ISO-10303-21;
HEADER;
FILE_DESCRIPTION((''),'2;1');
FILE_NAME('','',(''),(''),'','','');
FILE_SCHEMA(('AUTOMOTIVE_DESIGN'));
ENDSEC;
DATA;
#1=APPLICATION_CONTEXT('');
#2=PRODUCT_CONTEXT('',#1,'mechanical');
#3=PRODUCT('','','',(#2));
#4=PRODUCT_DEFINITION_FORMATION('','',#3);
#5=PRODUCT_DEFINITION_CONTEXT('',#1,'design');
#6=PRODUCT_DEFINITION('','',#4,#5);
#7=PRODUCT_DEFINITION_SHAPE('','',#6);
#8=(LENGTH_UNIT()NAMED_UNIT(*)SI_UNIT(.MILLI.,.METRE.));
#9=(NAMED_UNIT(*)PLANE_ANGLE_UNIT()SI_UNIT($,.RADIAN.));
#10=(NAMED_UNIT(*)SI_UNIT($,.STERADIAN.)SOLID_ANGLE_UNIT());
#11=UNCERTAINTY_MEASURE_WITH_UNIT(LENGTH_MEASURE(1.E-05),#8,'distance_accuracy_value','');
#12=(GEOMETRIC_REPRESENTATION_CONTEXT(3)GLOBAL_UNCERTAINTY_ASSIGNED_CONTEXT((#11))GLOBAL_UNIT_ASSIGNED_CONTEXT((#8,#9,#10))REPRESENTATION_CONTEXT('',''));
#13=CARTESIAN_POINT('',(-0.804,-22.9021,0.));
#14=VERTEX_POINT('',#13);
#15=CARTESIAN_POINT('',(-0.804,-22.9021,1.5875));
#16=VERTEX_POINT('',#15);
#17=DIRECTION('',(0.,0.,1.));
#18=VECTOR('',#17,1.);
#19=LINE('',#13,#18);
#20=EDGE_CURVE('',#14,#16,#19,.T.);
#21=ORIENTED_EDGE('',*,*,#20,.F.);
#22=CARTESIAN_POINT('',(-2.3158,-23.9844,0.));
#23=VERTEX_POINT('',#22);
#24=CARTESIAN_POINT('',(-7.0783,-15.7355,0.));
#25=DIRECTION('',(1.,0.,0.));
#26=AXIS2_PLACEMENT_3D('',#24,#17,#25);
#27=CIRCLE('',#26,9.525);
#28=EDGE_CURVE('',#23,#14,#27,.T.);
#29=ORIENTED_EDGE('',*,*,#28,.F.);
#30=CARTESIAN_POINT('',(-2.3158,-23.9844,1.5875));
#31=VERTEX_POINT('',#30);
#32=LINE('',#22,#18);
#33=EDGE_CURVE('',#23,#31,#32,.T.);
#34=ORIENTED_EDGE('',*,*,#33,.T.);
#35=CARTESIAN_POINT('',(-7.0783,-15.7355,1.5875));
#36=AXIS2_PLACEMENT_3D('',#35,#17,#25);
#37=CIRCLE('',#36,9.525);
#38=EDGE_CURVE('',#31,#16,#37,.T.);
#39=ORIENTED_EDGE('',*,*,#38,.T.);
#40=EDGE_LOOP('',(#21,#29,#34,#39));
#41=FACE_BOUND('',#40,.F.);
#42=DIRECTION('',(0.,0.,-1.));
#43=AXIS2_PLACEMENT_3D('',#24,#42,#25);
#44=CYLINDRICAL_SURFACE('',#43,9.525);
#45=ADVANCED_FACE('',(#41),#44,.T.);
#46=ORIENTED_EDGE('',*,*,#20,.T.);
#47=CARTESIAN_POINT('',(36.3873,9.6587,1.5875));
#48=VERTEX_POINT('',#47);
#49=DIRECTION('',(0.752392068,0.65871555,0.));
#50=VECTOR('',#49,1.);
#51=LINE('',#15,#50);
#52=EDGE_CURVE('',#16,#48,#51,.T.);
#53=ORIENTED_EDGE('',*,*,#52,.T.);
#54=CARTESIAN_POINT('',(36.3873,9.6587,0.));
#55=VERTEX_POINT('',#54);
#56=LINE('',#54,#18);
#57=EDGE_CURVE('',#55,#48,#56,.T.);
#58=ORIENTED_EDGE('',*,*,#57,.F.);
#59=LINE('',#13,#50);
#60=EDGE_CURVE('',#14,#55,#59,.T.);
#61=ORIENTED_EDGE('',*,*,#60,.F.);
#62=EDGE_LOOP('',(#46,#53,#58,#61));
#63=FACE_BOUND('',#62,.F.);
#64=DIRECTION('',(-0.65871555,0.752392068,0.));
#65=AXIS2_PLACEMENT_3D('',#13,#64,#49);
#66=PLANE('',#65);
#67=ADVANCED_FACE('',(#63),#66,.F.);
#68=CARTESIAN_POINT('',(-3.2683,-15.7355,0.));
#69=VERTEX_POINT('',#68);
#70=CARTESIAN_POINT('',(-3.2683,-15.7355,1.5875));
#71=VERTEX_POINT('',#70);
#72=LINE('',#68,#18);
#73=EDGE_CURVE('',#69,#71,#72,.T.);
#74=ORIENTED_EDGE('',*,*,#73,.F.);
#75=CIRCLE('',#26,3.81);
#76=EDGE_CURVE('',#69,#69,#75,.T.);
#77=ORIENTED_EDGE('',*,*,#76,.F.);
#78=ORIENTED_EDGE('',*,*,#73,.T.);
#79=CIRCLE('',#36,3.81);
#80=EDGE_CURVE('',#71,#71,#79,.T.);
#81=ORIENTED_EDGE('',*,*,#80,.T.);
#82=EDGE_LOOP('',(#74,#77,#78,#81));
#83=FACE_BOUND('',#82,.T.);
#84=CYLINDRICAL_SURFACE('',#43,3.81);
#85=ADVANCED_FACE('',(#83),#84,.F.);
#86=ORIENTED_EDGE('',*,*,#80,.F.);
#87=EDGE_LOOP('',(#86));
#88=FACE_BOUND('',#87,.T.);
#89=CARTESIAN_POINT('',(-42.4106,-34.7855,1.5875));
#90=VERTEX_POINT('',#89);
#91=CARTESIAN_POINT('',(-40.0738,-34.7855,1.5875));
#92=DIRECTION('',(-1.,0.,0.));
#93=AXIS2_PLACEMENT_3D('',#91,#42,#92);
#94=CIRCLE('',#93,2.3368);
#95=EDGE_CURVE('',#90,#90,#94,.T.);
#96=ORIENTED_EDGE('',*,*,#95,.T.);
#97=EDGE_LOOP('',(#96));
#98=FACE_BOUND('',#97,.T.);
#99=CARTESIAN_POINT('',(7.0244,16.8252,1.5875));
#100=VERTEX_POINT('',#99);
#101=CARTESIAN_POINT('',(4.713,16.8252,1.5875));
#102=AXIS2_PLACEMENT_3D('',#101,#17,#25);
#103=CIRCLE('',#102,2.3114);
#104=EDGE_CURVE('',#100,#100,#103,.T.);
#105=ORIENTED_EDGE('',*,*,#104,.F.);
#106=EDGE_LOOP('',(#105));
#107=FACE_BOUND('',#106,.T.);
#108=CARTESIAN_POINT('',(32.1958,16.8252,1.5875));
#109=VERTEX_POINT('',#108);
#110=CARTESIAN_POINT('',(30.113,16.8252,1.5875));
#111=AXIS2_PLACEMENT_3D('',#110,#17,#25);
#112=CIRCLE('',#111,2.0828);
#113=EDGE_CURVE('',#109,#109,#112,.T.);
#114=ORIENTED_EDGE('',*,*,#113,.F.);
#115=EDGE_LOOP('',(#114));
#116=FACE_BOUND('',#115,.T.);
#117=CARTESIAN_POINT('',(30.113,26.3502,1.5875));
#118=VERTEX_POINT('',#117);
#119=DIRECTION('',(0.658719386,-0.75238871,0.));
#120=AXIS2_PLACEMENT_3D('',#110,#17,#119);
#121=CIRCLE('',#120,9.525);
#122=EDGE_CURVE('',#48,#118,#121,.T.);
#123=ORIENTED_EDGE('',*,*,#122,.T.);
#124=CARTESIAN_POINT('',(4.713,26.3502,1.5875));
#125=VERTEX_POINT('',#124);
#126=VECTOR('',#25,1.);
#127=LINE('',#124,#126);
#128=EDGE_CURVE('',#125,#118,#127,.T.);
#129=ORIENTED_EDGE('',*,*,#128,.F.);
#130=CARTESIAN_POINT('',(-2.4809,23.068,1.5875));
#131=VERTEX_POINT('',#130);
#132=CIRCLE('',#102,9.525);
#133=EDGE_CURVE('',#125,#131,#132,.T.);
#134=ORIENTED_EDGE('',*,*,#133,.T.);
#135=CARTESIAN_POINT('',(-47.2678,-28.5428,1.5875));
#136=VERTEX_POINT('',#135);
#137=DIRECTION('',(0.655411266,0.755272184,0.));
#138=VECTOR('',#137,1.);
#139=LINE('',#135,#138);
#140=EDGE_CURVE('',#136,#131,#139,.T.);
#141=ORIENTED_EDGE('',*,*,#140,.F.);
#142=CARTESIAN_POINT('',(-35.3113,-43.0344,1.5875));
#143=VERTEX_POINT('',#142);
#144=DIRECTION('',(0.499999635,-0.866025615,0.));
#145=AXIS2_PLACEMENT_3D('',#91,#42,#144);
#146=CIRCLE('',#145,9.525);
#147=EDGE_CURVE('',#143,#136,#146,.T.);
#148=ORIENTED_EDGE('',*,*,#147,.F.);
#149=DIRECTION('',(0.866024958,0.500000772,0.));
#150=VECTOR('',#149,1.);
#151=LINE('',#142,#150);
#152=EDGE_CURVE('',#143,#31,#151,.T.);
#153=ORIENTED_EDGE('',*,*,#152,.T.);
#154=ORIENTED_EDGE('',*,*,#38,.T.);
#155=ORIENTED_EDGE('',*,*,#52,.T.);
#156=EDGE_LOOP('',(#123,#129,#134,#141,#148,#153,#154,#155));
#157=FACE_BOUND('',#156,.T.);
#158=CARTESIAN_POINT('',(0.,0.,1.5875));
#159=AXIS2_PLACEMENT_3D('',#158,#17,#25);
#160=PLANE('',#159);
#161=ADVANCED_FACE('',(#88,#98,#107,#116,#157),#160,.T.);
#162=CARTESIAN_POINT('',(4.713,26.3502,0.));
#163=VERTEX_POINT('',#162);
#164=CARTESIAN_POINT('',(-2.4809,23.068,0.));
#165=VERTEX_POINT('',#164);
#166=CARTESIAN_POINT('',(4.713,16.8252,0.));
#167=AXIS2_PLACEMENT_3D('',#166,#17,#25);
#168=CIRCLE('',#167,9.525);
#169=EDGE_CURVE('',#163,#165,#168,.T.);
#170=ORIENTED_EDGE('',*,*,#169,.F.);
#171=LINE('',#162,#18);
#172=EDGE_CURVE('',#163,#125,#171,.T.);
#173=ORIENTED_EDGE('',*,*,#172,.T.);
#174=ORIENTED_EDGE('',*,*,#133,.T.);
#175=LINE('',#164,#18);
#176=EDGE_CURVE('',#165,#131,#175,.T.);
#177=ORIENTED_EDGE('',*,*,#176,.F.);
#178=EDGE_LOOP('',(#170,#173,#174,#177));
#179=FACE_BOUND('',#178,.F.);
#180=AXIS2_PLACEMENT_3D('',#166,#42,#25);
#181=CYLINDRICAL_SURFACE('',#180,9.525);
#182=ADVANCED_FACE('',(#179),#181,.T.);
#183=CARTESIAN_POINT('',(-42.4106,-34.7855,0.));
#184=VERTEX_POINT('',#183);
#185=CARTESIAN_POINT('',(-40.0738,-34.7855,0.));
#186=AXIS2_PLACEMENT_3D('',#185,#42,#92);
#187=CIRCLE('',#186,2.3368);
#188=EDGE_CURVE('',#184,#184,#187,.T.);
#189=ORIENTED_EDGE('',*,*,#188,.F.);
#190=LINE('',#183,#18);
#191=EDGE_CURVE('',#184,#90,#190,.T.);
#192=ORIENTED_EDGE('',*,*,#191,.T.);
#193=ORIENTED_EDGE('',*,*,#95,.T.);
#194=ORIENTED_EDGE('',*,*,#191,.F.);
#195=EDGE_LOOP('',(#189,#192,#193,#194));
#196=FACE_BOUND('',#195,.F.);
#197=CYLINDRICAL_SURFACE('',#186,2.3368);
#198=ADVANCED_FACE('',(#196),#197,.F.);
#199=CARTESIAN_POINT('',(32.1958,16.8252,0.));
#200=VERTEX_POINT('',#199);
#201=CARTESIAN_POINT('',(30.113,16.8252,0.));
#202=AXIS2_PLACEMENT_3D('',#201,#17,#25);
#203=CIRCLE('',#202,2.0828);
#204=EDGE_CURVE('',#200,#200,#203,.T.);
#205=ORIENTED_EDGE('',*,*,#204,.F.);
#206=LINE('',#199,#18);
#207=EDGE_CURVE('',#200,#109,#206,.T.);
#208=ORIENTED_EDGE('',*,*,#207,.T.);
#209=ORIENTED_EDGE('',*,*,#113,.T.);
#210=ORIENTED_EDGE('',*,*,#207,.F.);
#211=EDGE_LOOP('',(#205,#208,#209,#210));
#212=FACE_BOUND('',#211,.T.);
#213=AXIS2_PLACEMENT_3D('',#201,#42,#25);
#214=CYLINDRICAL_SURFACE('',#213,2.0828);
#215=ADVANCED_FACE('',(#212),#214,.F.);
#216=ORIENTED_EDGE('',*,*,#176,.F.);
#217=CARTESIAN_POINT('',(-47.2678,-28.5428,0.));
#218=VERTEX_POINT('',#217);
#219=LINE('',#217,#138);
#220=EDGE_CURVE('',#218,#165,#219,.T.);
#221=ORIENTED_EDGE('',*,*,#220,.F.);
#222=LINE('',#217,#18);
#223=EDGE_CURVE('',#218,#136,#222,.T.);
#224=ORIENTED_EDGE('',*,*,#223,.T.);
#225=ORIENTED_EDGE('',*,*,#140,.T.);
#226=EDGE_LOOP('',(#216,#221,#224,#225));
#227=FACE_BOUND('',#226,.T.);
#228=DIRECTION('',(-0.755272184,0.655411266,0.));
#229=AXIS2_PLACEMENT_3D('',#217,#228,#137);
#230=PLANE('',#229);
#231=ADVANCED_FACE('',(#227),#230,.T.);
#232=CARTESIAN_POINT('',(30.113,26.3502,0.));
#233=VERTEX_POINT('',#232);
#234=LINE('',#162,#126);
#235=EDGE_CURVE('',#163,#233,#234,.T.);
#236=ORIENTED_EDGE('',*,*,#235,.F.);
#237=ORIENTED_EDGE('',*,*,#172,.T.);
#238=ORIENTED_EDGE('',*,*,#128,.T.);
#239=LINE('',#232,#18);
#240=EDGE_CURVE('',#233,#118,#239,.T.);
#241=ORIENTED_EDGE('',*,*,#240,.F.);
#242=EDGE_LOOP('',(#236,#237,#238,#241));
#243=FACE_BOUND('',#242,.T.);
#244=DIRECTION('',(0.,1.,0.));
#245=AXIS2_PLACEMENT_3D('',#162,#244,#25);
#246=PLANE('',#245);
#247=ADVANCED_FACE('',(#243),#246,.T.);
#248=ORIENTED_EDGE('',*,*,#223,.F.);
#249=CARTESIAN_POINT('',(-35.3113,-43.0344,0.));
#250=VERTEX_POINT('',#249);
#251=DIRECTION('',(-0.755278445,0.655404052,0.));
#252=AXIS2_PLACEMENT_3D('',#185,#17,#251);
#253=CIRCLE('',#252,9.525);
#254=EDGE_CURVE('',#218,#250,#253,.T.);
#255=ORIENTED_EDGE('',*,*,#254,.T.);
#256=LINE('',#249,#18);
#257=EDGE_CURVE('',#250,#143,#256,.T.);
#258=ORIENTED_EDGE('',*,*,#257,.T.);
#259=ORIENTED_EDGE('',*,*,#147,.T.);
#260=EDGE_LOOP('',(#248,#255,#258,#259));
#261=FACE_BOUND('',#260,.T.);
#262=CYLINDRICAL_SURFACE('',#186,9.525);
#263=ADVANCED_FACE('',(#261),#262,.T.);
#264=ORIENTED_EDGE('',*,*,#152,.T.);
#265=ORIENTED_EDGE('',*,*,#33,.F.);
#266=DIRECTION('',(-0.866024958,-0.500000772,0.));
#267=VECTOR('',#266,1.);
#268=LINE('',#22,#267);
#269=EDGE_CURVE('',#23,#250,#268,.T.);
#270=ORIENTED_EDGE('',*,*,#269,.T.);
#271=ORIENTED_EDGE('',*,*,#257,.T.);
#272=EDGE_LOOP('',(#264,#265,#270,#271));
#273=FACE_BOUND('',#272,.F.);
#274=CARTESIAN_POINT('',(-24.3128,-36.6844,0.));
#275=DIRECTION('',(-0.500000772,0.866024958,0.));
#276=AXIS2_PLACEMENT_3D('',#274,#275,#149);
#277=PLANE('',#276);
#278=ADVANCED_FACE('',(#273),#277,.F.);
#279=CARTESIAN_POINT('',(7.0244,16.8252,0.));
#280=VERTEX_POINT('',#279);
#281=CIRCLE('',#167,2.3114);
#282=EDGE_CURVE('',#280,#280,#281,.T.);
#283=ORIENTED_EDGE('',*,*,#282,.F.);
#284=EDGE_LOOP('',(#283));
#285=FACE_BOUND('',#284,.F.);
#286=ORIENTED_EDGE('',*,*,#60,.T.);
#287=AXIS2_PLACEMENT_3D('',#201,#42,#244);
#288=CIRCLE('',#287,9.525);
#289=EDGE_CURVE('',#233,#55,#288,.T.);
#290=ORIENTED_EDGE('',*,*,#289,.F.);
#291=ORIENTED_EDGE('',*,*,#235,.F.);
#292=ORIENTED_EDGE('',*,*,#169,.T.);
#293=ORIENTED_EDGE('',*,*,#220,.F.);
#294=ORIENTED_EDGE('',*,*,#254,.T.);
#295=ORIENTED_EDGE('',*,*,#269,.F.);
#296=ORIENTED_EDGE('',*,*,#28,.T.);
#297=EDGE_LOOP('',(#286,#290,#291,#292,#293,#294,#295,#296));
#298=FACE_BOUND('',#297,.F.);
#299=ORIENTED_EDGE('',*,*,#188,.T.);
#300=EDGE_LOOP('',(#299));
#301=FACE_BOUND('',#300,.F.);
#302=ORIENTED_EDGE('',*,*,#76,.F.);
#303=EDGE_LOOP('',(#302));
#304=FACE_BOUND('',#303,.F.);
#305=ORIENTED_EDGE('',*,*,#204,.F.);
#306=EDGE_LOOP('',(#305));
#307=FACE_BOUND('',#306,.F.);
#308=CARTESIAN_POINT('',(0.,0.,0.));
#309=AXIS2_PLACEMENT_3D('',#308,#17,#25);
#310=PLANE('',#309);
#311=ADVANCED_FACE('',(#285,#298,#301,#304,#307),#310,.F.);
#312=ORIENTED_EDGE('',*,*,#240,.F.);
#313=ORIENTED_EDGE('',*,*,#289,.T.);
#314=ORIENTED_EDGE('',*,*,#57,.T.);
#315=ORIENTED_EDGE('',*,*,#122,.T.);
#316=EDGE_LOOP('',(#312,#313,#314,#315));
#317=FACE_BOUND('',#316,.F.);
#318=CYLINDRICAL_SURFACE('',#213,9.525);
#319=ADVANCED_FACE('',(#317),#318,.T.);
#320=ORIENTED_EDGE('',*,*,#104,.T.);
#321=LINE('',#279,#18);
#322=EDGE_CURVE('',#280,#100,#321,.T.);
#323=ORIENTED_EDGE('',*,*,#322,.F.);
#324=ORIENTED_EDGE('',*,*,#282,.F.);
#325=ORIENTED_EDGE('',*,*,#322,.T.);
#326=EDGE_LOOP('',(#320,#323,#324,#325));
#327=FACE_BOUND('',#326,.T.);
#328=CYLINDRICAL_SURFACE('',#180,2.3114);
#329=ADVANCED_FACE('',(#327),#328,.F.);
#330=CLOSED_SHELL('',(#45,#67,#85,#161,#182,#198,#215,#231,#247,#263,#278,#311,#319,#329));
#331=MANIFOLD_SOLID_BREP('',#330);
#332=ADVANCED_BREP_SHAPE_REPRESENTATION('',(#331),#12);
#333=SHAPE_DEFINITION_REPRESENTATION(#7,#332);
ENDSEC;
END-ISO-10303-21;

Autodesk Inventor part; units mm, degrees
ref_plane "YZ Plane" through (0, 0, 0) normal (1, 0, 0) x (0, 1, 0)
ref_plane "XZ Plane" through (0, 0, 0) normal (0, 1, 0) x (-1, 0, 0)
sketch "Sketch1" plane through (0, 0, 0) normal (0, 0, 1) x (1, 0, 0)
  circle A0 centre (-39.737, 23.1752) radius 3 construction
  circle A1 centre (-39.737, 23.1752) radius 19.05 construction
  circle A2 centre (-7.0783, -15.7355) radius 31.75 construction
  line L0 (-66.3054, -3.825) -> (-66.3054, -14.1122) construction
  line L1 (-66.3054, -14.1122) -> (-40.9054, -14.1122) construction
  line L2 (-40.9054, -14.1122) -> (-40.9054, -3.825) construction
  line L3 (-40.9054, -3.825) -> (-66.3054, -3.825) construction
  circle A3 centre (-7.0783, -15.7355) radius 3.81
  line L4 (-7.0783, -15.7355) -> (-33.4747, -30.9755) construction
  circle A4 centre (-18.0768, -22.0855) radius 2.3368
  circle A5 centre (-29.0753, -28.4355) radius 2.3368
  circle A6 centre (4.713, 16.8252) radius 9.525
  circle A7 centre (30.113, 16.8252) radius 9.525
  circle A8 centre (-29.0753, -28.4355) radius 9.525
  circle A9 centre (-7.0783, -15.7355) radius 9.525
  line L5 (-37.7116, -24.0819) -> (-2.9197, 22.5233)
  line L6 (-24.3128, -36.6844) -> (-2.3158, -23.9844)
  line L7 (-0.804, -22.9021) -> (36.3873, 9.6587)
  line L8 (4.713, 26.3502) -> (30.113, 26.3502)
  circle A10 centre (4.713, 16.8252) radius 2.3114
  circle A11 centre (30.113, 16.8252) radius 2.0828
  point P0 (0, 0)
  point P1 (-36.708, -22.7375)
  point P2 (4.713, 26.3502)
  dimension "d1" = 63.5
  dimension "d0" = 38.1
  dimension "d2" = 25.4
  dimension "d4" = 30.48
  dimension "d5" = 4.6736
  dimension "d6" = 4.6736
  dimension "d7" = 150
  dimension "d8" = 12.7
  dimension "d9" = 12.7
  dimension "d10" = 19.05
  dimension "d11" = 19.05
  dimension "d12" = 19.05
  dimension "d13" = 19.05
ref_plane "Work Plane1" through (0, 0, 0) normal (0, 0, -1) x (-1, 0, 0)
extrude "Extrusion2" add sketch "Sketch1" along normal blind 1.5875
sketch "Sketch3" plane through (0, 0, 0) normal (0, 0, -1) x (-1, 0, 0)
  circle A0 centre (7.0783, -15.7355) radius 3.81 construction
  circle A1 centre (7.0783, -15.7355) radius 32.8018 construction
  circle A2 centre (29.0753, -28.4355) radius 2.3368 construction
  circle A3 centre (29.0753, -28.4355) radius 2.3368 construction
  circle A4 centre (18.0768, -22.0855) radius 2.3368 construction
  circle A5 centre (18.0768, -22.0855) radius 2.3368 construction
  line L0 (18.0768, -22.0855) -> (29.0753, -28.4355) construction
  line L1 (29.0753, -28.4355) -> (40.0738, -34.7855) construction
  circle A6 centre (40.0738, -34.7855) radius 2.3368
  circle A7 centre (40.0738, -34.7855) radius 9.525
  circle A8 centre (-4.713, 16.8252) radius 2.3114 projected
  circle A9 centre (-4.713, 16.8252) radius 9.525
  circle A10 centre (7.0783, -15.7355) radius 9.525
  line L2 (35.3113, -43.0344) -> (2.3158, -23.9844)
  line L3 (47.2678, -28.5428) -> (2.4809, 23.068)
  arc A11 (2.9197, 22.5233) -> (-4.713, 26.3502) centre (-4.713, 16.8252) ccw projected
  line L4 (-30.113, 26.3502) -> (-4.713, 26.3502) projected
  arc A12 (-30.113, 26.3502) -> (-36.3873, 9.6587) centre (-30.113, 16.8252) ccw projected
  line L5 (0.804, -22.9021) -> (-36.3873, 9.6587) projected
  arc A13 (0.804, -22.9021) -> (2.3158, -23.9844) centre (7.0783, -15.7355) ccw projected
  line L6 (24.3128, -36.6844) -> (2.3158, -23.9844) projected
  arc A14 (24.3128, -36.6844) -> (36.708, -22.7375) centre (29.0753, -28.4355) ccw projected
  line L7 (2.9197, 22.5233) -> (36.708, -22.7375) projected
  circle A15 centre (-30.113, 16.8252) radius 2.0828 projected
  circle A16 centre (7.0783, -15.7355) radius 3.81 projected
  circle A17 centre (29.0753, -28.4355) radius 2.3368 projected
  circle A18 centre (-4.713, 16.8252) radius 2.3114 projected
  circle A19 centre (18.0768, -22.0855) radius 2.3368 projected
  point P0 (0, 0)
  point P1 (2.9197, 22.5233)
  dimension "d21" = 19.05
  dimension "d22" = 19.05
  dimension "d18" = 12.7
  dimension "d19" = 4.6736
  dimension "d20" = 19.05
extrude "Extrusion3" add sketch "Sketch3" against normal blind 1.5875 contours A7 A14 | A7 A14 L7 A9 L3 | L2 A14 A7 picked at (41.1437, -29.5718)
sketch "Sketch4" plane through (0, 0, 1.5875) normal (0, 0, 1) x (1, 0, 0)
  circle A0 centre (-29.0753, -28.4355) radius 2.3368 projected
  circle A1 centre (-18.0768, -22.0855) radius 2.3368 projected
  point P0 (0, 0)
extrude "Extrusion4" add sketch "Sketch4" against normal up to surface (1.5875 mm away)
properties part number "intakeMotor"
